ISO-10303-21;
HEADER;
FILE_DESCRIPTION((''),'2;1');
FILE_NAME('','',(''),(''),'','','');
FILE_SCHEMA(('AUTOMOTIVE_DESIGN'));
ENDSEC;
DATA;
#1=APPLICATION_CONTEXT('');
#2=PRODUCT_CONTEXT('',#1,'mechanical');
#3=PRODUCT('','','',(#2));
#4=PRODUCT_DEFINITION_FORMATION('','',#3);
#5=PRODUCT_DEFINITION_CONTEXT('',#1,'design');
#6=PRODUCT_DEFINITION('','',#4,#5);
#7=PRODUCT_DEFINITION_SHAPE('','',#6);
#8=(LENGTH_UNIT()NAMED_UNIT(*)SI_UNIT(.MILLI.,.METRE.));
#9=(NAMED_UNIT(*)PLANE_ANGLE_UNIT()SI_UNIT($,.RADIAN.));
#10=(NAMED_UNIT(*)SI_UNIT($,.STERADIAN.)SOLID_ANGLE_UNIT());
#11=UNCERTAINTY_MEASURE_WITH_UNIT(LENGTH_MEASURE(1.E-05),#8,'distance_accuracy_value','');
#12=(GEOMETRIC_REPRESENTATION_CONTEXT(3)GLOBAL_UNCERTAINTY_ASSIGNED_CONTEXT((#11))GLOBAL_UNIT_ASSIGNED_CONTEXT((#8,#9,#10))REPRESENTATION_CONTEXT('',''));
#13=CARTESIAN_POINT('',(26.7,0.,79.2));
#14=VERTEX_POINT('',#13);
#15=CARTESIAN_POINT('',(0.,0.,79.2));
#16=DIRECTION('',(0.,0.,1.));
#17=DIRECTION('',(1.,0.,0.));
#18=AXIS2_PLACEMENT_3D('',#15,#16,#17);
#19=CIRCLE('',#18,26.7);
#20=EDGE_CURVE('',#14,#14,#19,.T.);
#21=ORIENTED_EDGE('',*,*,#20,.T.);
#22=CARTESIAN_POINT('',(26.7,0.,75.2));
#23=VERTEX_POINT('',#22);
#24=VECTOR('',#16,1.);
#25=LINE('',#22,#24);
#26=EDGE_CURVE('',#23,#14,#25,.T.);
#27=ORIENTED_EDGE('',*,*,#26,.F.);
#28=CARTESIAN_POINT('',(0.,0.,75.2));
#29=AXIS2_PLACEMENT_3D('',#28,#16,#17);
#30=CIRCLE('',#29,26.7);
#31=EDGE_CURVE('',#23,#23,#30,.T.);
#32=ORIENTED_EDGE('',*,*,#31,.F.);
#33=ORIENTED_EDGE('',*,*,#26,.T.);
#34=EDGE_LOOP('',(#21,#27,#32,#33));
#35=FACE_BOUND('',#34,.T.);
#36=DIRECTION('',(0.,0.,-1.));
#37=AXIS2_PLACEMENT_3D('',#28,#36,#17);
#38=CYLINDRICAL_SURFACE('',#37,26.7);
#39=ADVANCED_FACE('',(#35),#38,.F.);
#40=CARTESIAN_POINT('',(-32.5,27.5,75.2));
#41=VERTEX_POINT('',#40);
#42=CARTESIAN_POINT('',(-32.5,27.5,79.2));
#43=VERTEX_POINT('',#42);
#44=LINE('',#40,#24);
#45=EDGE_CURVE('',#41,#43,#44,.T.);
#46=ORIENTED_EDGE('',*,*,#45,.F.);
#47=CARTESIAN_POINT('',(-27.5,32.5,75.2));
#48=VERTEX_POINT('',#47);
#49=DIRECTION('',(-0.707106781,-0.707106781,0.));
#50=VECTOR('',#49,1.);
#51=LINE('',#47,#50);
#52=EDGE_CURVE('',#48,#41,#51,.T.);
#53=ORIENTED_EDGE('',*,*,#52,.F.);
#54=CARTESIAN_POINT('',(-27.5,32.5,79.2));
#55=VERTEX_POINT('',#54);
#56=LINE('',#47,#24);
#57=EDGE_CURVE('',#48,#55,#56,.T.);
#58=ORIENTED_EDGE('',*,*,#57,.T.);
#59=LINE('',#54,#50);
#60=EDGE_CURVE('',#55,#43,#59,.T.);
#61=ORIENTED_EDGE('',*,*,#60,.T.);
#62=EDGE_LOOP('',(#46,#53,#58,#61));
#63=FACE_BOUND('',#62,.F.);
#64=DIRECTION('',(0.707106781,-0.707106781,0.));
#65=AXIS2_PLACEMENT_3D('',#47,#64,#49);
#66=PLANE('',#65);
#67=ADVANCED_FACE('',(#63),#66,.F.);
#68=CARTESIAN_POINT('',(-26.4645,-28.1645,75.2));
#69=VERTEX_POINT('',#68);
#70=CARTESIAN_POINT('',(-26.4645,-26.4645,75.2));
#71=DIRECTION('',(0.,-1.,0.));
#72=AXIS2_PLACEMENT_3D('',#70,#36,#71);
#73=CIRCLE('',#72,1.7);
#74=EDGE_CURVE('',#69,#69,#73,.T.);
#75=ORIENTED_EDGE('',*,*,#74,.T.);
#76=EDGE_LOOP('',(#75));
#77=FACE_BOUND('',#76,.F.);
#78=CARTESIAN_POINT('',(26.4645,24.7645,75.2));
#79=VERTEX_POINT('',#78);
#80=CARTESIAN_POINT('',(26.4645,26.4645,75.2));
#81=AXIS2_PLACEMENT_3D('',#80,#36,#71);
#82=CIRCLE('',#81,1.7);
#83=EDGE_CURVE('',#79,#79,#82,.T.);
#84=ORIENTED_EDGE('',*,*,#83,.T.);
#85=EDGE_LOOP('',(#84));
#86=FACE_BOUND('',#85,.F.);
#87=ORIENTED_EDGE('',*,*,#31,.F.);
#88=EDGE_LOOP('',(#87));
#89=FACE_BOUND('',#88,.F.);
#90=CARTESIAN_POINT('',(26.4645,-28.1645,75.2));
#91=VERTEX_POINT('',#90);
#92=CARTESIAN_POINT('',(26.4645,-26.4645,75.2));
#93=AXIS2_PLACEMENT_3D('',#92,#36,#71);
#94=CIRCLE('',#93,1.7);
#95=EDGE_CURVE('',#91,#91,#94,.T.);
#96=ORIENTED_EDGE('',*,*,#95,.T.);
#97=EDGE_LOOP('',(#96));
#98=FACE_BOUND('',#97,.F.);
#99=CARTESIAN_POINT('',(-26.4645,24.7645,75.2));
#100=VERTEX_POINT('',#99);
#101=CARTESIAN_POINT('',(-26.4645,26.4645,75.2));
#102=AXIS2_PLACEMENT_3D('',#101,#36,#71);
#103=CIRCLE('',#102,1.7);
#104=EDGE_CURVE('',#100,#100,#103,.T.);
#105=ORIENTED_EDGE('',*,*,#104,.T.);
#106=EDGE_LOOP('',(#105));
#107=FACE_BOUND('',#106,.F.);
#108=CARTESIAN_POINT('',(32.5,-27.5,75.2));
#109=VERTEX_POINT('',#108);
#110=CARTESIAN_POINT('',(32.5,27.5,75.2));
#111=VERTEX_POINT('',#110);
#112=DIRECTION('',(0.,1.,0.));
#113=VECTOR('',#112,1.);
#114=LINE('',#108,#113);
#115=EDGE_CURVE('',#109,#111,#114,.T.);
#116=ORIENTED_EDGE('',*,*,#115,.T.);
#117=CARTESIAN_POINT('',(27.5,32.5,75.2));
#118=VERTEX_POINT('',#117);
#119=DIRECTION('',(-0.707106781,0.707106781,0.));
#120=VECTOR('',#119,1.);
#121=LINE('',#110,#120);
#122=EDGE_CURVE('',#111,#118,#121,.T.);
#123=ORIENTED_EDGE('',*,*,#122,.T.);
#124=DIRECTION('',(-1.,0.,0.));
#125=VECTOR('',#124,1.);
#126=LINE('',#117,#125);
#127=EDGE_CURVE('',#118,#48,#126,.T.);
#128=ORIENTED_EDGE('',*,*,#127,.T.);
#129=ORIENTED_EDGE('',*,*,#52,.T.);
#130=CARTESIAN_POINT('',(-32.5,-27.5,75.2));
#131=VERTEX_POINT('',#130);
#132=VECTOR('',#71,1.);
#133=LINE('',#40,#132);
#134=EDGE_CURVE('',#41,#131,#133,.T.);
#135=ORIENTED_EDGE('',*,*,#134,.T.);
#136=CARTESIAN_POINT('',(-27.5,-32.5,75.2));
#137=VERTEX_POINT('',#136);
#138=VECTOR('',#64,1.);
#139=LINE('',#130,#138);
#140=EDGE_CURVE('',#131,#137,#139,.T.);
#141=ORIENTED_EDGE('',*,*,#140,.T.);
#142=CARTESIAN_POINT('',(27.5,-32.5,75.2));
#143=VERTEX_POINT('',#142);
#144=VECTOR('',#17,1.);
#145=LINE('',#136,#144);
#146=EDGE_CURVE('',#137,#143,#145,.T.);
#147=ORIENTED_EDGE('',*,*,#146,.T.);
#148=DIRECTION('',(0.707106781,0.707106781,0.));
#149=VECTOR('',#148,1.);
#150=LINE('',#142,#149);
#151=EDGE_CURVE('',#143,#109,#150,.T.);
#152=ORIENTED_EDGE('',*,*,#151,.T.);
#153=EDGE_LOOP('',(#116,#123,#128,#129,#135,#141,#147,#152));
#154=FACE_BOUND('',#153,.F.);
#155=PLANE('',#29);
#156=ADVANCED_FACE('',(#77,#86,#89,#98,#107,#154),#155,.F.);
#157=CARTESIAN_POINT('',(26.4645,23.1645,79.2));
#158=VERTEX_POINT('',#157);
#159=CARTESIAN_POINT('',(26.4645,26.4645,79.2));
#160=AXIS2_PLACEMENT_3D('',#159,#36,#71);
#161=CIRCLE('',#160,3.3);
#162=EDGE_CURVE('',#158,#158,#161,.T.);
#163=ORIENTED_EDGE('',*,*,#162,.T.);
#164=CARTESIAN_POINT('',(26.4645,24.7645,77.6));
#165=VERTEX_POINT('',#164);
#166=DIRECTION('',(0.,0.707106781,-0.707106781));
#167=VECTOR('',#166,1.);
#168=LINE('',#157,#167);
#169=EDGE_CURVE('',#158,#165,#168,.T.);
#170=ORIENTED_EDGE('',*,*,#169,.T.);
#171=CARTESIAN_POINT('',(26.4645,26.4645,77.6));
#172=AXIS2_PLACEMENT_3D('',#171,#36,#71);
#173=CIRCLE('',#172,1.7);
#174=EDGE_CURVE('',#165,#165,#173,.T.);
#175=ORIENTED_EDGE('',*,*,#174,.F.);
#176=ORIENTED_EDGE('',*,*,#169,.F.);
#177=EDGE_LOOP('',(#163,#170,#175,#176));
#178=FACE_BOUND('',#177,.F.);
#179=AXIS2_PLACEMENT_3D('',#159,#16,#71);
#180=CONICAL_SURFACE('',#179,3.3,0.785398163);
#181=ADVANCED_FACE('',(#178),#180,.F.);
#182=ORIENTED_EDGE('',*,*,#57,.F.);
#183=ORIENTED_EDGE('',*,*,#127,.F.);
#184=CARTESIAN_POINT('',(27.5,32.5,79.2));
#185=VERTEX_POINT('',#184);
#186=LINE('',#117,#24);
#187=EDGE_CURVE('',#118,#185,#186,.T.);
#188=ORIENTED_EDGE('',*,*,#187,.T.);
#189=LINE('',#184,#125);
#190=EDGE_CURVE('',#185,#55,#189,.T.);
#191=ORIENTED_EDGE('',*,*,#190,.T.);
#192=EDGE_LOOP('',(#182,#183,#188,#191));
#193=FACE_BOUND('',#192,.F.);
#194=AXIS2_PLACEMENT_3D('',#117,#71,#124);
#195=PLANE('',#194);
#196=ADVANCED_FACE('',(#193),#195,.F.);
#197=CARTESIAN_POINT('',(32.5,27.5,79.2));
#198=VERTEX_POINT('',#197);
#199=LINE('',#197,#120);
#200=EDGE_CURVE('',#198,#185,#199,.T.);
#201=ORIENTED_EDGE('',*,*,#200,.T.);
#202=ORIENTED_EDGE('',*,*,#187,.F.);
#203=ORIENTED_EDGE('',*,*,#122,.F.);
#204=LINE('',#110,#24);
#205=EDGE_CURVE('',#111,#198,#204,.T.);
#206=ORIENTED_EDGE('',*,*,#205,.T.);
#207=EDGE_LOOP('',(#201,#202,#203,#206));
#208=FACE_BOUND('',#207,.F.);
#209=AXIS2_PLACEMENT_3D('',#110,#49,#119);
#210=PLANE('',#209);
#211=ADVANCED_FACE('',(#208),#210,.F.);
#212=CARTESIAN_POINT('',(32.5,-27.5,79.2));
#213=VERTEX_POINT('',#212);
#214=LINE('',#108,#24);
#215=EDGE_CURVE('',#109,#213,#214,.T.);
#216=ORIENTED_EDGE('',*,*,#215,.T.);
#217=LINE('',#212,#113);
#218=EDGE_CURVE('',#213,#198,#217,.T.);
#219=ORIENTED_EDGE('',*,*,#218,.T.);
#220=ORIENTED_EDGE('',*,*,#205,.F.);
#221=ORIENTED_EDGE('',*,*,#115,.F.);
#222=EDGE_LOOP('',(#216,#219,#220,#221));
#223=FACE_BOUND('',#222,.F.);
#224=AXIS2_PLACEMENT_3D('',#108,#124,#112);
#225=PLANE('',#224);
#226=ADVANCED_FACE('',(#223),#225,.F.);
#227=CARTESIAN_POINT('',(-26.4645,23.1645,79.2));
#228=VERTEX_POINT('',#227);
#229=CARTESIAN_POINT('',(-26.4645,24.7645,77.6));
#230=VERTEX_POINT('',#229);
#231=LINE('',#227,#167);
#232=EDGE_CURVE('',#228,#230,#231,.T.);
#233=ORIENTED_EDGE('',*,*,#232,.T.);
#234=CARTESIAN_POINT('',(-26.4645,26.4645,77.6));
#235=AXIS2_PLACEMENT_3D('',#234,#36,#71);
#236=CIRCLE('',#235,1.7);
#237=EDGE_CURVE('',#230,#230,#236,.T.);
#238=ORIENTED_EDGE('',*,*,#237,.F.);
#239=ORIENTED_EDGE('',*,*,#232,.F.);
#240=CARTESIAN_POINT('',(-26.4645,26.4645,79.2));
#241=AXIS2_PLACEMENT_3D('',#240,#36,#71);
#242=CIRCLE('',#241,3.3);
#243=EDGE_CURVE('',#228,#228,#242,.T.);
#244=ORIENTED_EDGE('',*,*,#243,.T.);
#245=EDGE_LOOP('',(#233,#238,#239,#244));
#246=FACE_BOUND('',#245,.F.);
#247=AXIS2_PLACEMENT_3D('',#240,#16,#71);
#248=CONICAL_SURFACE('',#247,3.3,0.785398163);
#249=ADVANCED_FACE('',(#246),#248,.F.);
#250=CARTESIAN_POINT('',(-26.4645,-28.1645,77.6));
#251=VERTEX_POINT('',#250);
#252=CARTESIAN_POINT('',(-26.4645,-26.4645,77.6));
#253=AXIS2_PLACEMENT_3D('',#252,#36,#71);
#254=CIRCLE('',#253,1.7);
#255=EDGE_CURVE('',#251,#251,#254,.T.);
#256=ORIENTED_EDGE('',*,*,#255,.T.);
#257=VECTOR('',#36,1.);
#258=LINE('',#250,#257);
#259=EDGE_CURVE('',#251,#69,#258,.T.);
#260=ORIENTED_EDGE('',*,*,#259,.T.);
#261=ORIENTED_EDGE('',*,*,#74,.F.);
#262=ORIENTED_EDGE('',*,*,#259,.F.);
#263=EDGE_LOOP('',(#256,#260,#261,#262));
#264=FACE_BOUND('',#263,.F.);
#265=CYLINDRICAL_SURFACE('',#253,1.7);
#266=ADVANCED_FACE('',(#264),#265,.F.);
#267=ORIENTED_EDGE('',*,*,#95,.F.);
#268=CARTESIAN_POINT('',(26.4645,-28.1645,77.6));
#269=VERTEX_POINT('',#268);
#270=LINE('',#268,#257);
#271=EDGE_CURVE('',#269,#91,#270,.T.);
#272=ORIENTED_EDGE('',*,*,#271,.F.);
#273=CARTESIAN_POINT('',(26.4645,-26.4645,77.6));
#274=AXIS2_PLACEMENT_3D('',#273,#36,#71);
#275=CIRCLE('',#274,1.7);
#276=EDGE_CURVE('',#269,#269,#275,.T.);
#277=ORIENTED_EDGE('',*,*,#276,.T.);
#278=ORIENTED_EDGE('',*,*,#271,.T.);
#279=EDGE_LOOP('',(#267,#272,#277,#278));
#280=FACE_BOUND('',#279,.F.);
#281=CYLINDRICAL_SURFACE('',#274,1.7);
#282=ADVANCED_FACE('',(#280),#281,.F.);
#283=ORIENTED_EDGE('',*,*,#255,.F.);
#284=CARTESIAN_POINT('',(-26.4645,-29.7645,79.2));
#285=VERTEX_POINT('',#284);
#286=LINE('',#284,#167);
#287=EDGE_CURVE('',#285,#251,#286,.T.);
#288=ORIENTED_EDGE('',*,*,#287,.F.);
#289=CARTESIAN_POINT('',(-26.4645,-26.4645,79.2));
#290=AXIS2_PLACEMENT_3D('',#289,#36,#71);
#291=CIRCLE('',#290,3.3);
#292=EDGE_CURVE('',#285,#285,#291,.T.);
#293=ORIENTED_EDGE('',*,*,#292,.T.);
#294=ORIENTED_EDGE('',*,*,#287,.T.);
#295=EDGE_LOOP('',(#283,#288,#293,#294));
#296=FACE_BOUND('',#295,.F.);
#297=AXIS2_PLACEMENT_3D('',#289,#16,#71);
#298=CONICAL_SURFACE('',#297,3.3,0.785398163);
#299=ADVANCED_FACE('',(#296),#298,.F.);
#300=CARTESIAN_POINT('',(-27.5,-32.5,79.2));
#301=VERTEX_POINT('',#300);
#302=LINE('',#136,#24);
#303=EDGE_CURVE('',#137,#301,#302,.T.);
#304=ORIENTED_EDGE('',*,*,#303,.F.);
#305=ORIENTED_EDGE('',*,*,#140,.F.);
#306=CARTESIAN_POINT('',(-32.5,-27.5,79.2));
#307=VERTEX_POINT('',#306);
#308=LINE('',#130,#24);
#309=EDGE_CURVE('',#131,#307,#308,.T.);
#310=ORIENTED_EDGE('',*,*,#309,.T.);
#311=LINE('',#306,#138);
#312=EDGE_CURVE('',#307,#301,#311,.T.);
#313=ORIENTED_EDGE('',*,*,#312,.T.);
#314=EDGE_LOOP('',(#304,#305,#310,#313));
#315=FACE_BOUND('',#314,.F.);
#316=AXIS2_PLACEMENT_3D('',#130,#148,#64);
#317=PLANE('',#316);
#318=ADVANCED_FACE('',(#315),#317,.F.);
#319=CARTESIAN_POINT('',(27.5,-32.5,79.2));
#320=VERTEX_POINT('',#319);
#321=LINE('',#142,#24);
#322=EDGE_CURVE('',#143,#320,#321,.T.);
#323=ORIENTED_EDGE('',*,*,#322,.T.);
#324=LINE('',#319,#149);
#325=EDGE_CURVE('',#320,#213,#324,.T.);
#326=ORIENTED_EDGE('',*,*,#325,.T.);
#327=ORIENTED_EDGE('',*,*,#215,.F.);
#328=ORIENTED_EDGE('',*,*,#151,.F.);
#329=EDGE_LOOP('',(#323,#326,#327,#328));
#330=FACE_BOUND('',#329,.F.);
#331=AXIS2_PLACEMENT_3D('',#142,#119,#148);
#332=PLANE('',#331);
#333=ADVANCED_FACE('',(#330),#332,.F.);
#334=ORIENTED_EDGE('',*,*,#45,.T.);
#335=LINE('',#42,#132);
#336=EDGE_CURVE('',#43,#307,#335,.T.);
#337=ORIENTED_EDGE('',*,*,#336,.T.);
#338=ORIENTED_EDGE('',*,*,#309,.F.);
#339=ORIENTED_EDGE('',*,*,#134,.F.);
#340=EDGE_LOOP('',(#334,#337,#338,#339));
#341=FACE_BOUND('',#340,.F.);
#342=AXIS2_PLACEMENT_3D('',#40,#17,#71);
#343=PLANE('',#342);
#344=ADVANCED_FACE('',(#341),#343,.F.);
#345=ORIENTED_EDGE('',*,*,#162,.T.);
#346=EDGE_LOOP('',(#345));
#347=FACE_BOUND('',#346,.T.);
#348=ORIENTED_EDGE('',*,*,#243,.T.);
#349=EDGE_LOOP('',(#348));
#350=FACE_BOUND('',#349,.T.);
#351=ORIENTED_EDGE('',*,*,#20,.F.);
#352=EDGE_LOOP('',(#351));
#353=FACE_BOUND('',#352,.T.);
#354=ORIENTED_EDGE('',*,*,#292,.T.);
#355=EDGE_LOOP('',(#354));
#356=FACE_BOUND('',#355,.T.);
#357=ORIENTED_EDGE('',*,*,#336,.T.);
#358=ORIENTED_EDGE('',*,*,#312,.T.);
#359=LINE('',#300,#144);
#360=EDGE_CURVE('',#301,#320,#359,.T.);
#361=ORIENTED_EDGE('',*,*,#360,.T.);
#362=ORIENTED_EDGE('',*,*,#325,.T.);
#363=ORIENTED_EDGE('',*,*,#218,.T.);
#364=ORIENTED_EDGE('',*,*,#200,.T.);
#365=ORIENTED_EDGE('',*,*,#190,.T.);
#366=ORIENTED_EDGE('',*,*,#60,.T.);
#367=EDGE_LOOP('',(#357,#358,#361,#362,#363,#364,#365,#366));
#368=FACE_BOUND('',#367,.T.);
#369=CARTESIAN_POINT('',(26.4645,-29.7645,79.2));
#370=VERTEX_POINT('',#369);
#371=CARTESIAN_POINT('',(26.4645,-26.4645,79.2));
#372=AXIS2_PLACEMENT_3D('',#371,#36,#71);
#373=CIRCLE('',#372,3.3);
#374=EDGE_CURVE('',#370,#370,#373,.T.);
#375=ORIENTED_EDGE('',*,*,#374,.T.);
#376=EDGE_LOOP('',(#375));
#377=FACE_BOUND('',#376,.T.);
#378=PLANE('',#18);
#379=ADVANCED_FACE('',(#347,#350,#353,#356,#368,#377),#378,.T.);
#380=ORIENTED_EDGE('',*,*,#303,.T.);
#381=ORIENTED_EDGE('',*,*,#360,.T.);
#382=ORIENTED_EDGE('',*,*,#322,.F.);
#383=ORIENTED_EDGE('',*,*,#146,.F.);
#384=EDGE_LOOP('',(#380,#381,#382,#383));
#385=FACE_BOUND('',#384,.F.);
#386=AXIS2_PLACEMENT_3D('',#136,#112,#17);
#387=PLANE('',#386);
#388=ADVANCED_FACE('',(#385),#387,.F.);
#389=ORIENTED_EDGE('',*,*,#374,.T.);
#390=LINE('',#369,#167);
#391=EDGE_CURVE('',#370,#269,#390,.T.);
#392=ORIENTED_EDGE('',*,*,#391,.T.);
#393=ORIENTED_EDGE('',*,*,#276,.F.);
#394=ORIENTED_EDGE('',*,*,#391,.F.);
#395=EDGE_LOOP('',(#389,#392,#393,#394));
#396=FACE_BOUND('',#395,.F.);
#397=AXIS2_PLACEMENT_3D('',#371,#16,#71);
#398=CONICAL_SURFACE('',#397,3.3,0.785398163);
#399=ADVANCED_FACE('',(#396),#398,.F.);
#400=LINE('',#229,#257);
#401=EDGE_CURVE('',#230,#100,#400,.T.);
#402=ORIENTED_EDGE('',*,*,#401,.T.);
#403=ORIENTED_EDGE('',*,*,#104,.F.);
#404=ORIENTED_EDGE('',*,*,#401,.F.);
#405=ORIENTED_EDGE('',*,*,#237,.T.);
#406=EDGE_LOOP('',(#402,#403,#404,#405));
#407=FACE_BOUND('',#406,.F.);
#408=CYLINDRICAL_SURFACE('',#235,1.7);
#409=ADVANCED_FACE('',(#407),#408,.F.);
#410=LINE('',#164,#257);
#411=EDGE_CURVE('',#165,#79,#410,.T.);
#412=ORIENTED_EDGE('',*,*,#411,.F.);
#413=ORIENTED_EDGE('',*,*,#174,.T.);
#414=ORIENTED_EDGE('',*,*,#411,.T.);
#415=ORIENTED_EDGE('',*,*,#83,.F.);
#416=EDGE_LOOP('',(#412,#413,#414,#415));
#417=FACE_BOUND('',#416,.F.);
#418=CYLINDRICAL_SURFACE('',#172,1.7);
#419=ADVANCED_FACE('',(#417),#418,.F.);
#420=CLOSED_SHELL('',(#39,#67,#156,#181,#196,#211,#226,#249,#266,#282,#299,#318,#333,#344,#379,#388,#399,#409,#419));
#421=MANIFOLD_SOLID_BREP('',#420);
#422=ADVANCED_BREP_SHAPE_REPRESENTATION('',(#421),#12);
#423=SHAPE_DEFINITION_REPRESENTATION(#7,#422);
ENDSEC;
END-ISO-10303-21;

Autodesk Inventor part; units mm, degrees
ref_plane "YZ Plane" through (0, 0, 0) normal (1, 0, 0) x (0, 1, 0)
ref_plane "XZ Plane" through (0, 0, 0) normal (0, 1, 0) x (-1, 0, 0)
ref_plane "РабПлоскость1" through (0, 0, 75.2) normal (0, 0, 1) x (1, 0, 0)
sketch "Эскиз1" plane through (0, 0, 75.2) normal (0, 0, 1) x (1, 0, 0)
  circle A0 centre (26.4645, -26.4645) radius 1.95 construction
  circle A1 centre (-26.4645, 26.4645) radius 1.95 construction
  circle A2 centre (26.4645, 26.4645) radius 1.95 construction
  circle A3 centre (-26.4645, -26.4645) radius 1.95 construction
  circle A4 centre (15.35, -15.35) radius 1.7 construction
  circle A5 centre (-15.35, 15.35) radius 1.7 construction
  circle A6 centre (15.35, 15.35) radius 1.7 construction
  circle A7 centre (-15.35, -15.35) radius 1.7 construction
  line L0 (-32.5, 27.5) -> (-32.5, -27.5) projected
  line L1 (-27.5, 32.5) -> (-32.5, 27.5) projected
  line L2 (27.5, 32.5) -> (-27.5, 32.5) projected
  line L3 (32.5, 27.5) -> (27.5, 32.5) projected
  line L4 (32.5, -27.5) -> (32.5, 27.5) projected
  line L5 (27.5, -32.5) -> (32.5, -27.5) projected
  line L6 (-27.5, -32.5) -> (27.5, -32.5) projected
  line L7 (-32.5, -27.5) -> (-27.5, -32.5) projected
  circle A8 centre (0, 0) radius 11.5 construction
  circle A9 centre (0, 0) radius 26.7 projected
  point P0 (0, 0)
extrude "Выдавливание1" add sketch "Эскиз1" along normal blind 4
sketch "Эскиз2" plane through (0, 0, 79.2) normal (0, 0, 1) x (1, 0, 0)
  circle A0 centre (26.4645, 26.4645) radius 2.25 projected
  circle A1 centre (26.4645, -26.4645) radius 2.25 projected
  circle A2 centre (-26.4645, -26.4645) radius 2.25 projected
  circle A3 centre (-26.4645, 26.4645) radius 1.95 projected
hole "Отверстие1" at (26.4645, 26.4645, 79.2) at (-26.4645, 26.4645, 79.2) at (26.4645, -26.4645, 79.2) at (-26.4645, -26.4645, 79.2) direction (0, 0, -1) diameter 3.4 end through all countersink diameter 6.6 countersink angle 90 clearance for "с потайной головкой ГОСТ 12876-67" size "M3" standard "ГОСТ"
properties part number "Крышка" material "По умолчанию1"
